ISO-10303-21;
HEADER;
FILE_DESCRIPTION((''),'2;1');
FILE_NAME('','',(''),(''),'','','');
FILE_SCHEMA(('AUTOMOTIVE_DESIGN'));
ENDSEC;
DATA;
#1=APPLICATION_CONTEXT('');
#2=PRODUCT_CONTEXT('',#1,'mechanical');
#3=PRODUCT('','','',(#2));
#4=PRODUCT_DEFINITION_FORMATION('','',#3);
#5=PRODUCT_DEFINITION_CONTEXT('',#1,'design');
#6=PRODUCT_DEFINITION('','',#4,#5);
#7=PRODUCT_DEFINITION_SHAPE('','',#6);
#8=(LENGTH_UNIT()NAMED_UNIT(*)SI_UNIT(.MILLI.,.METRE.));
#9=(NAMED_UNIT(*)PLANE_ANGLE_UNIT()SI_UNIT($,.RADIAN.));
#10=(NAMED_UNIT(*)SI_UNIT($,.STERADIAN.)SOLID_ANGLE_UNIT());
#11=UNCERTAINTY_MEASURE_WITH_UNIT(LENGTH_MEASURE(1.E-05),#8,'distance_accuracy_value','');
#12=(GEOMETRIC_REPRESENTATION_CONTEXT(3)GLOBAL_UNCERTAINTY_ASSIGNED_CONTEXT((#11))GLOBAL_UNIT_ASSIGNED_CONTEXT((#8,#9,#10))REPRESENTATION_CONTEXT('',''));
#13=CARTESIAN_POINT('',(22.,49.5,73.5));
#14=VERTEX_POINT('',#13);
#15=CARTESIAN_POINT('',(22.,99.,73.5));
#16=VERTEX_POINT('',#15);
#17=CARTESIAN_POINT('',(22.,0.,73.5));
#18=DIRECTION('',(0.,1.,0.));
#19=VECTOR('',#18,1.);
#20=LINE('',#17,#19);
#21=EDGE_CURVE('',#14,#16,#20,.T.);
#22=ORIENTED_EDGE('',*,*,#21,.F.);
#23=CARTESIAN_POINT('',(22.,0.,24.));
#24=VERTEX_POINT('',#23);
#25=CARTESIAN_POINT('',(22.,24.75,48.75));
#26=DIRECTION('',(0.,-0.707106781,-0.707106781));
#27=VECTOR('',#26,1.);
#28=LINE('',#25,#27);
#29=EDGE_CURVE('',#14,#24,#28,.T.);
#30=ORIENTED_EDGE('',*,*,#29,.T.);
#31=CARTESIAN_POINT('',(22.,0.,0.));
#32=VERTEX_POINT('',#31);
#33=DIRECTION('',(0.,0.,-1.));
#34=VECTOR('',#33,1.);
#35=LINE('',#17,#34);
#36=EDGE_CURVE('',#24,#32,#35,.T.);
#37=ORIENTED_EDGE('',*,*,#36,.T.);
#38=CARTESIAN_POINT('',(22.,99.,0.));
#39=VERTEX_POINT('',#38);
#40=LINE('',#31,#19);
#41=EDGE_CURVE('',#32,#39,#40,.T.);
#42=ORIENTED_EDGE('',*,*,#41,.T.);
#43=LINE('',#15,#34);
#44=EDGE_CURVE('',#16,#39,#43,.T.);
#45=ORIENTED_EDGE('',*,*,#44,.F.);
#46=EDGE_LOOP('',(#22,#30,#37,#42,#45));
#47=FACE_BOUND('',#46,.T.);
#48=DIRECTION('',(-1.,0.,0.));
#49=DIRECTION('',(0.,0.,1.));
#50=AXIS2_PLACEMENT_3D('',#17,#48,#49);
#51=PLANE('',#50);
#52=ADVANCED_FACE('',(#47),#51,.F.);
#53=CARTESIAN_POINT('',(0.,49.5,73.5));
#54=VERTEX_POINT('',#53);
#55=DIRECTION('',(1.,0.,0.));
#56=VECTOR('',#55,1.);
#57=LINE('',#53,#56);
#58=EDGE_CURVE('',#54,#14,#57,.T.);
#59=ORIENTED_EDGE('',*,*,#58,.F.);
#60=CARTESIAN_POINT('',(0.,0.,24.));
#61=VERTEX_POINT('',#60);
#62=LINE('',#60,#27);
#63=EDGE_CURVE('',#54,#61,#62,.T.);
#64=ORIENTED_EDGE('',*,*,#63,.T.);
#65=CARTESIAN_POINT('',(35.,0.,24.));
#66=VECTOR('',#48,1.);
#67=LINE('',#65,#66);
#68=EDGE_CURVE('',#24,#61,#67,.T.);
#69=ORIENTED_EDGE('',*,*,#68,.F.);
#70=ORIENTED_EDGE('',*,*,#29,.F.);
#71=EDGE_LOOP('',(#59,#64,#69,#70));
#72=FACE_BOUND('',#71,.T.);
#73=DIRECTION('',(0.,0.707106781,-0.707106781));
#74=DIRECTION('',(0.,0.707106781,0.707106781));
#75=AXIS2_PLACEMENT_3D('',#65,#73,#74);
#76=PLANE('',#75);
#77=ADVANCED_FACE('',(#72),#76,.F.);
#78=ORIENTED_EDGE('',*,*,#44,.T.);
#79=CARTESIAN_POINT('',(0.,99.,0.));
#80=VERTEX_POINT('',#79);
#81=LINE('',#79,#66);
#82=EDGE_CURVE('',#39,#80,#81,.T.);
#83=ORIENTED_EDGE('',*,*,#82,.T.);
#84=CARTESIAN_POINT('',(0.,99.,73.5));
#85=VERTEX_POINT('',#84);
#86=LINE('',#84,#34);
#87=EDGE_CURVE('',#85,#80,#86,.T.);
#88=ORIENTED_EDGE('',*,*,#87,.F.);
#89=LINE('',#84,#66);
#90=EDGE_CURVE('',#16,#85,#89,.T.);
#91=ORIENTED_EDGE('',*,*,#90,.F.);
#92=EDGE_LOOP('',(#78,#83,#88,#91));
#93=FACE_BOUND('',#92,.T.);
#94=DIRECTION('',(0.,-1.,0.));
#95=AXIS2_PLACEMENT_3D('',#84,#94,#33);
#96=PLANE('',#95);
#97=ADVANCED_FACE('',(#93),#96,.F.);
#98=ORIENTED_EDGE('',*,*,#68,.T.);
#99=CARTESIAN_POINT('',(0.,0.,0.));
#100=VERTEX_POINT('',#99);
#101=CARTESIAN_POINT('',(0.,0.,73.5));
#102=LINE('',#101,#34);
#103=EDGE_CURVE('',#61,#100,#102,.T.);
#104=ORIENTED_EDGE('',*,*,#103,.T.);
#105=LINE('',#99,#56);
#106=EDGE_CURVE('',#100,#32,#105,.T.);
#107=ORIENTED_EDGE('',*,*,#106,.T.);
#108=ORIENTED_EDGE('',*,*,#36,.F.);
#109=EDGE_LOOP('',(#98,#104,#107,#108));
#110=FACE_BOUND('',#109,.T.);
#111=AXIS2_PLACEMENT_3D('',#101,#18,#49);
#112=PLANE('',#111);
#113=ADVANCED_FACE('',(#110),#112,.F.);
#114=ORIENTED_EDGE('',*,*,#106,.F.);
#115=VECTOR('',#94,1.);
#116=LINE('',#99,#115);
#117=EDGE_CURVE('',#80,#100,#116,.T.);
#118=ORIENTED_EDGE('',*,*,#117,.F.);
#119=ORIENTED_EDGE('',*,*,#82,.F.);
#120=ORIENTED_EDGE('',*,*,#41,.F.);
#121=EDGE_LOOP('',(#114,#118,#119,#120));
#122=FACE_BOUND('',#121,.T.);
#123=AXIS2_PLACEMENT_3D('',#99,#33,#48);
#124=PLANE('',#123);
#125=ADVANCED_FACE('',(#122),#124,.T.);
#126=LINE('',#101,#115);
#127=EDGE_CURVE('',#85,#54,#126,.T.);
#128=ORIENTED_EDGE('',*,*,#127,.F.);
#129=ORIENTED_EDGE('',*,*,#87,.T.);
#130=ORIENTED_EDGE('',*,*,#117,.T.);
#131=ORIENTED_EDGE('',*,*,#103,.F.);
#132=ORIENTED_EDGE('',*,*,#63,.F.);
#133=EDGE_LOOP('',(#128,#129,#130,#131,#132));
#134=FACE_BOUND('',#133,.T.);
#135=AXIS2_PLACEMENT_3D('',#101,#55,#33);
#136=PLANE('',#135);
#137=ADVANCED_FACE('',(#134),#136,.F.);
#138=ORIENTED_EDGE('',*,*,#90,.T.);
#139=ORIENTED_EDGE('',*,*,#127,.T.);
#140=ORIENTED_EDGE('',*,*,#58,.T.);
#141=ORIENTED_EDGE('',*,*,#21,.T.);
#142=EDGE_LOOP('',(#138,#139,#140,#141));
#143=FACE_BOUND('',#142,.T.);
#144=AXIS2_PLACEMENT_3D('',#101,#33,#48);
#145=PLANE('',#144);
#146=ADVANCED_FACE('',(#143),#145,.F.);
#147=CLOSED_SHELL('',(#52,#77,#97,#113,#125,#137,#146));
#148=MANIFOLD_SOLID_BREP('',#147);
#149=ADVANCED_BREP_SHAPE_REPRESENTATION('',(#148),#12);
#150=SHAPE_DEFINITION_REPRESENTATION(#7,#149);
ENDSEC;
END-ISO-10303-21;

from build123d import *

# Parameters (mm, degrees)
ESQUISSE1_W             = 22
ESQUISSE1_H             = 99
BOSS_EXTRU_1_DEPTH      = 73.5
ENL_V_MAT_EXTRU_1_DEPTH = 35


with BuildPart() as part:
    # Esquisse1 → Boss.-Extru.1 (new body)
    with BuildSketch(Plane.XY):
        with Locations((11, 49.5)):
            Rectangle(ESQUISSE1_W, ESQUISSE1_H)
    extrude(amount=BOSS_EXTRU_1_DEPTH)

    # Esquisse2 → Enlèv. mat.-Extru.1 (cut)
    with BuildSketch(Plane.ZY):
        Polygon((24, 0), (73.5, 49.5), (73.5, 0), align=None)
    extrude(amount=-ENL_V_MAT_EXTRU_1_DEPTH, mode=Mode.SUBTRACT)


solid = part.part
